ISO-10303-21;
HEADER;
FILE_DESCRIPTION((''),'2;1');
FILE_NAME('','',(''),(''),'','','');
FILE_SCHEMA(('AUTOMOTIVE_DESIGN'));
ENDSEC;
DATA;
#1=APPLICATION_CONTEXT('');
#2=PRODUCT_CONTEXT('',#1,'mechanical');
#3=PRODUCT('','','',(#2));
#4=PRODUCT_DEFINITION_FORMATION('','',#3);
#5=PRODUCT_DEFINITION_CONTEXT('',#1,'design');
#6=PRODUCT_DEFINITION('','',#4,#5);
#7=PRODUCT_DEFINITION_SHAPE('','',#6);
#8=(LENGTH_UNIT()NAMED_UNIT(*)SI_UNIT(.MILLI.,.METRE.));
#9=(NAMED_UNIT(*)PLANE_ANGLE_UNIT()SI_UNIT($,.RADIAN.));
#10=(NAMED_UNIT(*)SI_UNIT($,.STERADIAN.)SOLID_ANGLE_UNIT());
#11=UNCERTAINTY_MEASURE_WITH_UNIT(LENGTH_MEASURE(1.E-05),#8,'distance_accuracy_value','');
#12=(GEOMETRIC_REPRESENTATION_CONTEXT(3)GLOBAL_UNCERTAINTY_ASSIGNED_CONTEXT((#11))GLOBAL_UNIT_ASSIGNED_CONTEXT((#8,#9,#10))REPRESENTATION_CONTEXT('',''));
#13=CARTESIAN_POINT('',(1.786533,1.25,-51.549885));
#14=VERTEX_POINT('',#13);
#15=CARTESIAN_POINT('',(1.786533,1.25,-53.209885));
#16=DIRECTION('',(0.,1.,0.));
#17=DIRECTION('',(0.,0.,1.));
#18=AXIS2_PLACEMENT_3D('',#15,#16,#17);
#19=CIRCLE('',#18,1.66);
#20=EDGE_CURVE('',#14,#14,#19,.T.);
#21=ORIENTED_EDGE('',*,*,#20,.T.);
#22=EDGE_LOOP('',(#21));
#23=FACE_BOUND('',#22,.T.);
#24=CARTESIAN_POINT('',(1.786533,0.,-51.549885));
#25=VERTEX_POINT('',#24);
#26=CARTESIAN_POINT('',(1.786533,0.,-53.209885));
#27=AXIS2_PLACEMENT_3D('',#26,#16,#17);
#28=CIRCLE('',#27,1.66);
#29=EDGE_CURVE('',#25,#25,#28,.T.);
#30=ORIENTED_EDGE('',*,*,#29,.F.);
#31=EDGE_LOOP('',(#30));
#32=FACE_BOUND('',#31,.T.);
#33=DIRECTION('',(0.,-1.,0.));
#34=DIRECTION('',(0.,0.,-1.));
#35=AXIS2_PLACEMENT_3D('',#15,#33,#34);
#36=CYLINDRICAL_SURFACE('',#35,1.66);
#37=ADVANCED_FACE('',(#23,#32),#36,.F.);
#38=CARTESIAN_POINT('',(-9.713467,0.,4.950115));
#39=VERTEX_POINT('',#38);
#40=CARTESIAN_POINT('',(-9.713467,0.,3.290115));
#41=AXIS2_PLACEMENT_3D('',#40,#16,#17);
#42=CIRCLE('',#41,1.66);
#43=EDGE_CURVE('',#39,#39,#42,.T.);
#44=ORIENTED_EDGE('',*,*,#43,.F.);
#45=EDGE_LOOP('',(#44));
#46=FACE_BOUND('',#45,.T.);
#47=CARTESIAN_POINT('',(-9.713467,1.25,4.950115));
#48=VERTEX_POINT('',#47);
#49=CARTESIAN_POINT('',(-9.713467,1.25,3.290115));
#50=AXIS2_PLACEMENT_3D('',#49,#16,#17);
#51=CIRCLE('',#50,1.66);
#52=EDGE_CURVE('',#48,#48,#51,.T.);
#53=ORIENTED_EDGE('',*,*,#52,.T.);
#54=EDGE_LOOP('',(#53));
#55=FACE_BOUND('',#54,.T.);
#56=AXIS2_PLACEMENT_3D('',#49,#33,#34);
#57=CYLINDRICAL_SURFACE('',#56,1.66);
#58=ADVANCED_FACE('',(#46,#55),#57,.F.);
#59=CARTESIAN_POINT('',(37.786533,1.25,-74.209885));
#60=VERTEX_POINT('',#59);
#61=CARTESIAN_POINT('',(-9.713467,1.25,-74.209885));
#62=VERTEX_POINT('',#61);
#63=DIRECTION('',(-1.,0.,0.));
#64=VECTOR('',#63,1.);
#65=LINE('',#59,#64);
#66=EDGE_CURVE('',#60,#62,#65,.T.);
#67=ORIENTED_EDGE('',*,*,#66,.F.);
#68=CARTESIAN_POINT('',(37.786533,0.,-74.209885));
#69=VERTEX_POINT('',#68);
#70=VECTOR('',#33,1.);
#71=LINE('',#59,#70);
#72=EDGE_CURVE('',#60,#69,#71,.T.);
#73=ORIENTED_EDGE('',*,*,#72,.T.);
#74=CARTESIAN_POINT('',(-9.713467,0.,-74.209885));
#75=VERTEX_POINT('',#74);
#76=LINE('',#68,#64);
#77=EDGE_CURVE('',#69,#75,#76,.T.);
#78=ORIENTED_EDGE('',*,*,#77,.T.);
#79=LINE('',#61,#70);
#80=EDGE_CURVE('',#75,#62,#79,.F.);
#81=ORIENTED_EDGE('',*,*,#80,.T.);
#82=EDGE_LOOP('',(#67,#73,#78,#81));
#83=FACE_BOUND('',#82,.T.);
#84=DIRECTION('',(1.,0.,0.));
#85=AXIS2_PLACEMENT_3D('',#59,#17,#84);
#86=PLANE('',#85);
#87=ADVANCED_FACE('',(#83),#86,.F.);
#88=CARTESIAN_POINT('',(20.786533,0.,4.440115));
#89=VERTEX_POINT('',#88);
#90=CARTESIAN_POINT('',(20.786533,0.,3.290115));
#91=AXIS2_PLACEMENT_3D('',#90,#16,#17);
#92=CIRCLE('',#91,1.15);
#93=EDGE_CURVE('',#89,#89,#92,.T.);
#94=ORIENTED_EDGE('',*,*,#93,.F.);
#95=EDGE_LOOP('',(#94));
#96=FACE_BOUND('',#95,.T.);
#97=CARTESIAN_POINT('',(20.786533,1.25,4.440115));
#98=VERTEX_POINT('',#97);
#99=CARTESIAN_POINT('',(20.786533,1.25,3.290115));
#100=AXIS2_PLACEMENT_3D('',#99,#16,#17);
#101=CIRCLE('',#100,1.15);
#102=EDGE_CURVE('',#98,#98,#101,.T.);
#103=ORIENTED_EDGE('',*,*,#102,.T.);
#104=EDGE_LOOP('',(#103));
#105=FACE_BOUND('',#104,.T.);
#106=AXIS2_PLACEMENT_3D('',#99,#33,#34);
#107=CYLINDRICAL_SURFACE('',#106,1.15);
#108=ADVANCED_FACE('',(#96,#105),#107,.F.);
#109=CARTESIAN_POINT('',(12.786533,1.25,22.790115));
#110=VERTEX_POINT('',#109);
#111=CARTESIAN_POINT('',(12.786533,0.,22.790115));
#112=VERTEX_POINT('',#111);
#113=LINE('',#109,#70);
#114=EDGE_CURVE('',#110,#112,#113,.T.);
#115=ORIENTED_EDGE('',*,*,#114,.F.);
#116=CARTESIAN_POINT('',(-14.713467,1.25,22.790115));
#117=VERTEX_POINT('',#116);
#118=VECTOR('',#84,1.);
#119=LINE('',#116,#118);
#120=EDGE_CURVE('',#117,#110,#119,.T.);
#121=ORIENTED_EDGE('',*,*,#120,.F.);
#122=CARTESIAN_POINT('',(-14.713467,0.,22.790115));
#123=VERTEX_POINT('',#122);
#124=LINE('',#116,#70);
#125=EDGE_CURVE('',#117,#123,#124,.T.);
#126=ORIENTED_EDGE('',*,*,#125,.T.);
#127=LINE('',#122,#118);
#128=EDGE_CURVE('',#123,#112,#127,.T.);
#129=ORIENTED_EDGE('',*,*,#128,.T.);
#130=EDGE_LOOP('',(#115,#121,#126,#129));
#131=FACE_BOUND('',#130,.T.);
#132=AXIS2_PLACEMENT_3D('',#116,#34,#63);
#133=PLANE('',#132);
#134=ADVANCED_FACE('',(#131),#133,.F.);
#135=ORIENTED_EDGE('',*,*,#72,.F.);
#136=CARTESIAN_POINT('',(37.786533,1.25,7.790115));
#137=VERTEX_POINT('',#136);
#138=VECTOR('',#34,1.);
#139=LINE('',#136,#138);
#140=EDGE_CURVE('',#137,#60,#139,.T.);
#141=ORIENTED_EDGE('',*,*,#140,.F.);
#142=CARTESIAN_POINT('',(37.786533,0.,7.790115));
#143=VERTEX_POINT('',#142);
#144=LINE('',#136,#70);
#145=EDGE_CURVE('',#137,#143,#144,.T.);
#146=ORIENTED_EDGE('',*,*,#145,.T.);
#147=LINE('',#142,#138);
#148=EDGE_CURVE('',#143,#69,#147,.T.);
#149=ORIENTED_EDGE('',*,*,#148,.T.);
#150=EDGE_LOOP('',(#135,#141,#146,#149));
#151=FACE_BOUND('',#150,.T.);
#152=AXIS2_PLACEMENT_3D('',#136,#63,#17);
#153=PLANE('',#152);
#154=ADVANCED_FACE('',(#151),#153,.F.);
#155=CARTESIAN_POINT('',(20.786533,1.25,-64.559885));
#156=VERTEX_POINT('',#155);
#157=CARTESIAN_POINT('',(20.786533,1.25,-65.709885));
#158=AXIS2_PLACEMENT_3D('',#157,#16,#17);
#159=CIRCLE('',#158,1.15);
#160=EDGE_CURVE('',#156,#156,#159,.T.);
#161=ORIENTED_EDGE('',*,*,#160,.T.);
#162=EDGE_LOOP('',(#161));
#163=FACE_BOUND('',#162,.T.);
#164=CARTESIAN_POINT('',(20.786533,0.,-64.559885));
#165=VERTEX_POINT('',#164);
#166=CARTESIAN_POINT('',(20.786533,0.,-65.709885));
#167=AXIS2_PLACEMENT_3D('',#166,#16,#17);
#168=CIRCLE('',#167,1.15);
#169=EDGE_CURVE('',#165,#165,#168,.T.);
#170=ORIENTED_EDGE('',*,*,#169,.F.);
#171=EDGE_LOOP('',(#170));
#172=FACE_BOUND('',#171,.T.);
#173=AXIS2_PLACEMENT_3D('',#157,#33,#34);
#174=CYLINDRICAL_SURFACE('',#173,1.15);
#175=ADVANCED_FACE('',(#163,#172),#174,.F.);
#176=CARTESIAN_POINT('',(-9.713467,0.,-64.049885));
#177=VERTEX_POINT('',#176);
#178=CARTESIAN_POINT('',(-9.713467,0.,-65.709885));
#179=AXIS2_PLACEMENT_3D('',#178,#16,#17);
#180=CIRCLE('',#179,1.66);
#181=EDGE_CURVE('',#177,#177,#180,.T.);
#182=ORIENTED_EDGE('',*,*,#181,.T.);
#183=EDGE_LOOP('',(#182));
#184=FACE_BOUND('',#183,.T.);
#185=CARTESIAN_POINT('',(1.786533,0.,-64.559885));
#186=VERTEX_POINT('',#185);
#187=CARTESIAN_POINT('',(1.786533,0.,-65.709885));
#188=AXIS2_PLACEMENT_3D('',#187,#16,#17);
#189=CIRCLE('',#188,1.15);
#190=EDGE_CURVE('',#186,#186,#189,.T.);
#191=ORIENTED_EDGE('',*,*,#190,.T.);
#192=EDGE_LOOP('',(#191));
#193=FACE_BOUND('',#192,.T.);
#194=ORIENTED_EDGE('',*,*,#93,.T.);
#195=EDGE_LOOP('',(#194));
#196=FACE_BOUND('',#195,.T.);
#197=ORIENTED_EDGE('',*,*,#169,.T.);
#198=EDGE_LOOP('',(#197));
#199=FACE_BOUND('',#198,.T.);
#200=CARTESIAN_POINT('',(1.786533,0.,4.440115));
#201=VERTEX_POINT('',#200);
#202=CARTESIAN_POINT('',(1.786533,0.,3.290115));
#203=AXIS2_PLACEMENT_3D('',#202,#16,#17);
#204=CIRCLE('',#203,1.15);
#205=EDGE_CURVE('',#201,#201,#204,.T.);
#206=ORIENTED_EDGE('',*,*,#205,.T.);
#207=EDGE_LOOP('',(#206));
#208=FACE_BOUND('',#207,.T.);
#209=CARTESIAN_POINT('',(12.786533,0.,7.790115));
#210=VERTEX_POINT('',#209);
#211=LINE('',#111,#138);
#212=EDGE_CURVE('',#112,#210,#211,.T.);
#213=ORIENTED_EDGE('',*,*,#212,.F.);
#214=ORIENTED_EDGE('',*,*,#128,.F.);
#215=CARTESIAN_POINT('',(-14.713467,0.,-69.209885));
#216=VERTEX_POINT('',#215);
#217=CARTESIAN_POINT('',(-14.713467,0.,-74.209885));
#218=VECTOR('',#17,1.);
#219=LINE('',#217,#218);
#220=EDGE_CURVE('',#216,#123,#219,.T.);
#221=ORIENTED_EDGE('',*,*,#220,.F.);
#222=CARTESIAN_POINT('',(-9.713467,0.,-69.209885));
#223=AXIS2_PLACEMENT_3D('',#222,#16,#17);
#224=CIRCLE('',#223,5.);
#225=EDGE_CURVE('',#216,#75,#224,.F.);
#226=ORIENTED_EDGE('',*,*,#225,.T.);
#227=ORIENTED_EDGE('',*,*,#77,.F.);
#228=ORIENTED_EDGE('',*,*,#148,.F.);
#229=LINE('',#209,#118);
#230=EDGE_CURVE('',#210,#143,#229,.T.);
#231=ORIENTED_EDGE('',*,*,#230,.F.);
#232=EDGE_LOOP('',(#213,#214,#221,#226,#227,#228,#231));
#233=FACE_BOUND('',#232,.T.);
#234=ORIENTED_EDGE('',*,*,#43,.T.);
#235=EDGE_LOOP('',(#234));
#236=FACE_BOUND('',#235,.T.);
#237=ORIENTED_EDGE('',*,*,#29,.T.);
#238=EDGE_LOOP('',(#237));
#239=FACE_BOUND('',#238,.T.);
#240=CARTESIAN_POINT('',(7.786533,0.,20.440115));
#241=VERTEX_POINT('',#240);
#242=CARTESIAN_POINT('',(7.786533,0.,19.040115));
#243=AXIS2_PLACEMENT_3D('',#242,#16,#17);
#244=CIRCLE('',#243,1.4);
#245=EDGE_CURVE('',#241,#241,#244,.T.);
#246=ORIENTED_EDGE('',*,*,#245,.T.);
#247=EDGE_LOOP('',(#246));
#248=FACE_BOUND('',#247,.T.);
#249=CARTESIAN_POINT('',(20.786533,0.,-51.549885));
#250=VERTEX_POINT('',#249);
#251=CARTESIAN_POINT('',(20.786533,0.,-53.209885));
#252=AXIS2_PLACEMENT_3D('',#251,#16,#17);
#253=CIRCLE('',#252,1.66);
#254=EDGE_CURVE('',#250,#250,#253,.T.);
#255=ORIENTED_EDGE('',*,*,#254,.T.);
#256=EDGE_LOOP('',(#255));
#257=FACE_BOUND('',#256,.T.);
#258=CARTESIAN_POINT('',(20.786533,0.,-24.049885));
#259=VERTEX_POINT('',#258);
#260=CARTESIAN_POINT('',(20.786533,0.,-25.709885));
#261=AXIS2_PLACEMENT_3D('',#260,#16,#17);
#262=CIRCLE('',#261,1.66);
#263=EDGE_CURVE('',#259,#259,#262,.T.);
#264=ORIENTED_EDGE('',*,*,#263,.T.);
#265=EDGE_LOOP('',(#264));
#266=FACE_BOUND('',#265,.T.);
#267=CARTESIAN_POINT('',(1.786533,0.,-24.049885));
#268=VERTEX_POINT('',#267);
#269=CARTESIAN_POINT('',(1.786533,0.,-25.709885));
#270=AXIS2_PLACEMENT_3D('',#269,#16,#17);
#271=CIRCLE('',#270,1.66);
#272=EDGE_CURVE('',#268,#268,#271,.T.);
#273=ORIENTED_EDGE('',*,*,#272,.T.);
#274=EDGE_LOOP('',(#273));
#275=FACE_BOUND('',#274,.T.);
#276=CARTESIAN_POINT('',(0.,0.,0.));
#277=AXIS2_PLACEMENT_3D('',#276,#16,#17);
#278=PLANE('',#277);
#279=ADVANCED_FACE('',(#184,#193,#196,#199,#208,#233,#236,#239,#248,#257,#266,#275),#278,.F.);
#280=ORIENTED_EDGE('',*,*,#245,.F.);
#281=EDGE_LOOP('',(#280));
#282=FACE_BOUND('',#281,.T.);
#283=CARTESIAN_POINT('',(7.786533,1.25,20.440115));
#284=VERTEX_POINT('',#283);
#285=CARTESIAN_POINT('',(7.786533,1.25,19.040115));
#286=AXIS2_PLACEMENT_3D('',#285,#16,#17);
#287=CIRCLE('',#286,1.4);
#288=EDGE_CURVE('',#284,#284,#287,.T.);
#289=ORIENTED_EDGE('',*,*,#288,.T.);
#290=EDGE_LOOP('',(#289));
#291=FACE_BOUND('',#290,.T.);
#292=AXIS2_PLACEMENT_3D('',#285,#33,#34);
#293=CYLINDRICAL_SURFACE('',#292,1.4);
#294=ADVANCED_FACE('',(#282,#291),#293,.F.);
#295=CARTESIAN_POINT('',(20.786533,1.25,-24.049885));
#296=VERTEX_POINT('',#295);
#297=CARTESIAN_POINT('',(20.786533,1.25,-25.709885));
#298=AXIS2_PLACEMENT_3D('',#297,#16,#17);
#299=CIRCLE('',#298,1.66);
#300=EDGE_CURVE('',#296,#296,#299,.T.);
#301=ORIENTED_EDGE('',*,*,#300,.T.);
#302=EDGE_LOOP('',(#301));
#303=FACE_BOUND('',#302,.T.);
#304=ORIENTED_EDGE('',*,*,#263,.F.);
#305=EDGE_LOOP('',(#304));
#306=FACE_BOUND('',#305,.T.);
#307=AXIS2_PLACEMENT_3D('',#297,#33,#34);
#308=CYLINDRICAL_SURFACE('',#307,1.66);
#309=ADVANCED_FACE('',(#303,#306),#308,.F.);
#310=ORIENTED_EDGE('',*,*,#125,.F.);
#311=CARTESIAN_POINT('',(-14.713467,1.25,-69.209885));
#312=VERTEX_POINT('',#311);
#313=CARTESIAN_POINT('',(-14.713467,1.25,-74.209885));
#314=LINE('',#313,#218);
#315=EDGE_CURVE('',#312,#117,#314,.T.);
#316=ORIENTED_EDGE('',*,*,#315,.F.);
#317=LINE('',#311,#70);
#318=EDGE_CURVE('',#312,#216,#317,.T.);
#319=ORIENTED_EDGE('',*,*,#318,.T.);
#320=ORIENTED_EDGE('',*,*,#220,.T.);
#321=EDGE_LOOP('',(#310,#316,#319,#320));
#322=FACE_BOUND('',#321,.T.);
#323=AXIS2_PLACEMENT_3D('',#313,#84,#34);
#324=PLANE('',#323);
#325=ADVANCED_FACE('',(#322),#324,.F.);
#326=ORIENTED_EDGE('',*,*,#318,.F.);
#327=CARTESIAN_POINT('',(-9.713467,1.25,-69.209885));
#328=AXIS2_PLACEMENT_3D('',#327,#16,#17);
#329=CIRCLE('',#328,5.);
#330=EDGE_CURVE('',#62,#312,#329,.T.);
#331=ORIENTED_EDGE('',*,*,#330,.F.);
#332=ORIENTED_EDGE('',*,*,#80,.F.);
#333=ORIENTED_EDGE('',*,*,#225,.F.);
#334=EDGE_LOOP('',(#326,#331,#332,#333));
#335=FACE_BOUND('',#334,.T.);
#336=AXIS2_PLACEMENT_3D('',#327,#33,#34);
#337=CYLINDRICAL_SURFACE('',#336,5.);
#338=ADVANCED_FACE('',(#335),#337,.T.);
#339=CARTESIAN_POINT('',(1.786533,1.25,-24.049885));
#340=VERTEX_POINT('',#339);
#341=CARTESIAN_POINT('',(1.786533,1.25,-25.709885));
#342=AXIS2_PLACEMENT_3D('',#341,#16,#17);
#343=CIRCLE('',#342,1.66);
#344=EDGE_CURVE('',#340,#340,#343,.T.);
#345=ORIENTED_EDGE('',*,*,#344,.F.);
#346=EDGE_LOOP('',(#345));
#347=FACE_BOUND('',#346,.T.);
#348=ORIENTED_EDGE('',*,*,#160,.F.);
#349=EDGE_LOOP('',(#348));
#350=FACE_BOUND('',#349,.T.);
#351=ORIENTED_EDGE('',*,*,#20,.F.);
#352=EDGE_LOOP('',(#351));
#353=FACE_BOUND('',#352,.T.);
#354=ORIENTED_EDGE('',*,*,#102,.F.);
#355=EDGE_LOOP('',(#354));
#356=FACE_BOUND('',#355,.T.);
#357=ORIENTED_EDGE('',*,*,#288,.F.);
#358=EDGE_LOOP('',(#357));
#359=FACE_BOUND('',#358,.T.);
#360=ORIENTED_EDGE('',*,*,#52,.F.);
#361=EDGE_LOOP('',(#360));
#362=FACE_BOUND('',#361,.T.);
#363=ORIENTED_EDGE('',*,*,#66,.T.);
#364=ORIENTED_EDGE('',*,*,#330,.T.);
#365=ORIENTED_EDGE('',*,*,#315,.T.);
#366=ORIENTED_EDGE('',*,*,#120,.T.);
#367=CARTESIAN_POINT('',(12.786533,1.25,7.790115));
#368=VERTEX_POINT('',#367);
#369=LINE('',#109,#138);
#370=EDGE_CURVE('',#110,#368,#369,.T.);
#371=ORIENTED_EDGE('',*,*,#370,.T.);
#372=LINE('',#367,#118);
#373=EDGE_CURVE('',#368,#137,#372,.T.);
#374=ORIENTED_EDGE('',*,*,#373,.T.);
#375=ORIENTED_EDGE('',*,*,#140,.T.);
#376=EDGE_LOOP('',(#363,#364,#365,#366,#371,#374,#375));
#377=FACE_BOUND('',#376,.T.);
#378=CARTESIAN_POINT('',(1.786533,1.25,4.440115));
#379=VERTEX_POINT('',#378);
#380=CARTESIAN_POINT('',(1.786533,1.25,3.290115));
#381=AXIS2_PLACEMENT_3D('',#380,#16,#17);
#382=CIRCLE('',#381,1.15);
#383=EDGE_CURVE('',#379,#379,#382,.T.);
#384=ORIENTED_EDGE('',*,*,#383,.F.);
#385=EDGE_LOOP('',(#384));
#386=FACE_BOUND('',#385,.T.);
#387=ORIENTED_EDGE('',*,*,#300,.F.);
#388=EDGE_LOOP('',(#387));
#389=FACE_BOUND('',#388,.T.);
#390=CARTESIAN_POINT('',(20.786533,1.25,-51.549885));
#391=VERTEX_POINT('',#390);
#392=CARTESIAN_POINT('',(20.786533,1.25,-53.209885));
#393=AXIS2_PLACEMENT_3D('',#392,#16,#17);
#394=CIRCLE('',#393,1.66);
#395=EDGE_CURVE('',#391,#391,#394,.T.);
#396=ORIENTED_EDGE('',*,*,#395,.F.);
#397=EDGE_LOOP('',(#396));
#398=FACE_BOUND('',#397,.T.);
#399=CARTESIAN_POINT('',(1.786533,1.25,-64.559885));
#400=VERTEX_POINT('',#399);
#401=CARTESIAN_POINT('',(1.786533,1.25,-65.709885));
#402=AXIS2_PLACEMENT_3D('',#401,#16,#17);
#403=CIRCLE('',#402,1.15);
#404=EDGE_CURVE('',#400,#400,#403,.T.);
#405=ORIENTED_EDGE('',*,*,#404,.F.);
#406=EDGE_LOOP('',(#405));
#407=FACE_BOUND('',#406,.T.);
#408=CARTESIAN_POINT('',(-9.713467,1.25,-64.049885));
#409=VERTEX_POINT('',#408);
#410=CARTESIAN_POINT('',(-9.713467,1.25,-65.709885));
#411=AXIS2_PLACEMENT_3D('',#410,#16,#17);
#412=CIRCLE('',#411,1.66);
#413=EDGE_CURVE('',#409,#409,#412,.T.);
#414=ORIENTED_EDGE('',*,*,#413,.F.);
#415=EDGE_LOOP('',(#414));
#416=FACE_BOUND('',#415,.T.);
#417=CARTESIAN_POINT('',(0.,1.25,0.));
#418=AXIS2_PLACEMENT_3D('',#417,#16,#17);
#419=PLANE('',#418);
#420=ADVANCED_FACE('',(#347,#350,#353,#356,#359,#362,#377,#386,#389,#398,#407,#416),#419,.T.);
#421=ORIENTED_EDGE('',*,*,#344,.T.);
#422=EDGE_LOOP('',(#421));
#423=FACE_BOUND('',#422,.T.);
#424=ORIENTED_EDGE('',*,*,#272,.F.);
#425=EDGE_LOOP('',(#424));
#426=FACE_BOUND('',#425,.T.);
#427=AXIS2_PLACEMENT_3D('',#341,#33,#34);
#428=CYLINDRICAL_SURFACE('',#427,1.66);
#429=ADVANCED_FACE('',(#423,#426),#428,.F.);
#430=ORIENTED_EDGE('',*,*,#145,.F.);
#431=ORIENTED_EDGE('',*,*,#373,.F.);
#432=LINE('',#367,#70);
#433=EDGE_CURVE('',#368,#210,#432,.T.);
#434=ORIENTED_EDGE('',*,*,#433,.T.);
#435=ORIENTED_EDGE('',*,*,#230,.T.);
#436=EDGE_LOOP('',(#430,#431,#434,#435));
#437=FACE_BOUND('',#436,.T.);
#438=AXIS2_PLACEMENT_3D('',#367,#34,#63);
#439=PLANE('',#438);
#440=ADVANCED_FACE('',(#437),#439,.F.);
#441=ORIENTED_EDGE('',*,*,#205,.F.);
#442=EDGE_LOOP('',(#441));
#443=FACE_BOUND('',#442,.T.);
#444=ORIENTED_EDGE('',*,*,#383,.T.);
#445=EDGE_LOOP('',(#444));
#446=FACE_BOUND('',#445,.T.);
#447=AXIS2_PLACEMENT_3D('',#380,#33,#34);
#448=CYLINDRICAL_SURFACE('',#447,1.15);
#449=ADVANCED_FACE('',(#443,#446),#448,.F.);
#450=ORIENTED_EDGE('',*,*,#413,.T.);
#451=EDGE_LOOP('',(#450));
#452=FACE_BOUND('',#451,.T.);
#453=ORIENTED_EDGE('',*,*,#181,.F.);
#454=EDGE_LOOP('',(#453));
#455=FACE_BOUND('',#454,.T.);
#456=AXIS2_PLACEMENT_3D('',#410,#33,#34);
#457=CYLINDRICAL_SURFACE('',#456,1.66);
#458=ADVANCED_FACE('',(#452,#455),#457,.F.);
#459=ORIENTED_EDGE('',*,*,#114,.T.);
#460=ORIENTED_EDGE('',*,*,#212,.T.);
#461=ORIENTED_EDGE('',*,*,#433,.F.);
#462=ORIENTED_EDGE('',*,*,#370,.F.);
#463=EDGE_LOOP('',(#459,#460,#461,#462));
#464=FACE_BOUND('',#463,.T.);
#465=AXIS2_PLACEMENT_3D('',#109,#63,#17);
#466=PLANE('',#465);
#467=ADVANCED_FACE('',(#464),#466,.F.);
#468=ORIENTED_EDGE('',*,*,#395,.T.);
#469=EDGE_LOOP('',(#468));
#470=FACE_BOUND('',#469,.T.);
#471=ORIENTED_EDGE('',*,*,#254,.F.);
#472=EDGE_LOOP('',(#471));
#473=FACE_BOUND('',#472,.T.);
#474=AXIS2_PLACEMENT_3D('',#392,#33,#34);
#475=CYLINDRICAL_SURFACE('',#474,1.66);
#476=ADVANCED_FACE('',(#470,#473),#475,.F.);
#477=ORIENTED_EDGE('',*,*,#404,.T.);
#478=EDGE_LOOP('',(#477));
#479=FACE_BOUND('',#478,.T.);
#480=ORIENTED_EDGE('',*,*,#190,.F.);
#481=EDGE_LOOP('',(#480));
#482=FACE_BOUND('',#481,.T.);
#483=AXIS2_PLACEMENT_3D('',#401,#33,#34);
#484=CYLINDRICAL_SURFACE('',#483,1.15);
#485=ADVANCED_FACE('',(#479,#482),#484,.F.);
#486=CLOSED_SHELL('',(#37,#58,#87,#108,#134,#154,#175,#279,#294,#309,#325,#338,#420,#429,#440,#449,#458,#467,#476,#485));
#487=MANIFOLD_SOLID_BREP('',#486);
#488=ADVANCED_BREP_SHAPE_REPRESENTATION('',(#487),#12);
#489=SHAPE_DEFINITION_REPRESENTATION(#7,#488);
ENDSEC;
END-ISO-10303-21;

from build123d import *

# Parameters (mm, degrees)
SKETCH1_R           = 1.66
SKETCH1_R_2         = 1.15
SKETCH1_R_3         = 1.4
BOSS_EXTRUDE1_DEPTH = 1.25
FILLET1_R           = 5


with BuildPart() as part:
    # Sketch1 → Boss-Extrude1 (new body)
    with BuildSketch(Plane(origin=(0, 0, 0), x_dir=(1, 0, 0), z_dir=(0, 1, 0))):
        Polygon((-14.713467049, 74.209885387), (-14.713467049, -22.790114613), (12.786532951, -22.790114613), (12.786532951, -7.790114613), (37.786532951, -7.790114613), (37.786532951, 74.209885387), align=None)
        with Locations(Location((-9.713467049, 65.709885387, 0), (0, 0, 270))):  # turned: the seam where the file's is
            Circle(SKETCH1_R, mode=Mode.SUBTRACT)
        with Locations(Location((1.786532951, 65.709885387, 0), (0, 0, 270))):  # turned: the seam where the file's is
            Circle(SKETCH1_R_2, mode=Mode.SUBTRACT)
        with Locations(Location((20.786532951, 65.709885387, 0), (0, 0, 270))):  # turned: the seam where the file's is
            Circle(SKETCH1_R_2, mode=Mode.SUBTRACT)
        with Locations(Location((1.786532951, 53.209885387, 0), (0, 0, 270))):  # turned: the seam where the file's is
            Circle(SKETCH1_R, mode=Mode.SUBTRACT)
        with Locations(Location((1.786532951, 25.709885387, 0), (0, 0, 270))):  # turned: the seam where the file's is
            Circle(SKETCH1_R, mode=Mode.SUBTRACT)
        with Locations(Location((20.786532951, 53.209885387, 0), (0, 0, 270))):  # turned: the seam where the file's is
            Circle(SKETCH1_R, mode=Mode.SUBTRACT)
        with Locations(Location((20.786532951, 25.709885387, 0), (0, 0, 270))):  # turned: the seam where the file's is
            Circle(SKETCH1_R, mode=Mode.SUBTRACT)
        with Locations(Location((1.786532951, -3.290114613, 0), (0, 0, 270))):  # turned: the seam where the file's is
            Circle(SKETCH1_R_2, mode=Mode.SUBTRACT)
        with Locations(Location((20.786532951, -3.290114613, 0), (0, 0, 270))):  # turned: the seam where the file's is
            Circle(SKETCH1_R_2, mode=Mode.SUBTRACT)
        with Locations(Location((-9.713467049, -3.290114613, 0), (0, 0, 270))):  # turned: the seam where the file's is
            Circle(SKETCH1_R, mode=Mode.SUBTRACT)
        with Locations(Location((7.786532951, -19.040114613, 0), (0, 0, 270))):  # turned: the seam where the file's is
            Circle(SKETCH1_R_3, mode=Mode.SUBTRACT)
    extrude(amount=BOSS_EXTRUDE1_DEPTH)

    # Fillet1
    fillet1_edges = [part.edges().sort_by_distance(p)[0] for p in [
        (-14.713467049, 0.625, -74.209885387),
    ]]
    fillet(fillet1_edges, radius=FILLET1_R)


solid = part.part
